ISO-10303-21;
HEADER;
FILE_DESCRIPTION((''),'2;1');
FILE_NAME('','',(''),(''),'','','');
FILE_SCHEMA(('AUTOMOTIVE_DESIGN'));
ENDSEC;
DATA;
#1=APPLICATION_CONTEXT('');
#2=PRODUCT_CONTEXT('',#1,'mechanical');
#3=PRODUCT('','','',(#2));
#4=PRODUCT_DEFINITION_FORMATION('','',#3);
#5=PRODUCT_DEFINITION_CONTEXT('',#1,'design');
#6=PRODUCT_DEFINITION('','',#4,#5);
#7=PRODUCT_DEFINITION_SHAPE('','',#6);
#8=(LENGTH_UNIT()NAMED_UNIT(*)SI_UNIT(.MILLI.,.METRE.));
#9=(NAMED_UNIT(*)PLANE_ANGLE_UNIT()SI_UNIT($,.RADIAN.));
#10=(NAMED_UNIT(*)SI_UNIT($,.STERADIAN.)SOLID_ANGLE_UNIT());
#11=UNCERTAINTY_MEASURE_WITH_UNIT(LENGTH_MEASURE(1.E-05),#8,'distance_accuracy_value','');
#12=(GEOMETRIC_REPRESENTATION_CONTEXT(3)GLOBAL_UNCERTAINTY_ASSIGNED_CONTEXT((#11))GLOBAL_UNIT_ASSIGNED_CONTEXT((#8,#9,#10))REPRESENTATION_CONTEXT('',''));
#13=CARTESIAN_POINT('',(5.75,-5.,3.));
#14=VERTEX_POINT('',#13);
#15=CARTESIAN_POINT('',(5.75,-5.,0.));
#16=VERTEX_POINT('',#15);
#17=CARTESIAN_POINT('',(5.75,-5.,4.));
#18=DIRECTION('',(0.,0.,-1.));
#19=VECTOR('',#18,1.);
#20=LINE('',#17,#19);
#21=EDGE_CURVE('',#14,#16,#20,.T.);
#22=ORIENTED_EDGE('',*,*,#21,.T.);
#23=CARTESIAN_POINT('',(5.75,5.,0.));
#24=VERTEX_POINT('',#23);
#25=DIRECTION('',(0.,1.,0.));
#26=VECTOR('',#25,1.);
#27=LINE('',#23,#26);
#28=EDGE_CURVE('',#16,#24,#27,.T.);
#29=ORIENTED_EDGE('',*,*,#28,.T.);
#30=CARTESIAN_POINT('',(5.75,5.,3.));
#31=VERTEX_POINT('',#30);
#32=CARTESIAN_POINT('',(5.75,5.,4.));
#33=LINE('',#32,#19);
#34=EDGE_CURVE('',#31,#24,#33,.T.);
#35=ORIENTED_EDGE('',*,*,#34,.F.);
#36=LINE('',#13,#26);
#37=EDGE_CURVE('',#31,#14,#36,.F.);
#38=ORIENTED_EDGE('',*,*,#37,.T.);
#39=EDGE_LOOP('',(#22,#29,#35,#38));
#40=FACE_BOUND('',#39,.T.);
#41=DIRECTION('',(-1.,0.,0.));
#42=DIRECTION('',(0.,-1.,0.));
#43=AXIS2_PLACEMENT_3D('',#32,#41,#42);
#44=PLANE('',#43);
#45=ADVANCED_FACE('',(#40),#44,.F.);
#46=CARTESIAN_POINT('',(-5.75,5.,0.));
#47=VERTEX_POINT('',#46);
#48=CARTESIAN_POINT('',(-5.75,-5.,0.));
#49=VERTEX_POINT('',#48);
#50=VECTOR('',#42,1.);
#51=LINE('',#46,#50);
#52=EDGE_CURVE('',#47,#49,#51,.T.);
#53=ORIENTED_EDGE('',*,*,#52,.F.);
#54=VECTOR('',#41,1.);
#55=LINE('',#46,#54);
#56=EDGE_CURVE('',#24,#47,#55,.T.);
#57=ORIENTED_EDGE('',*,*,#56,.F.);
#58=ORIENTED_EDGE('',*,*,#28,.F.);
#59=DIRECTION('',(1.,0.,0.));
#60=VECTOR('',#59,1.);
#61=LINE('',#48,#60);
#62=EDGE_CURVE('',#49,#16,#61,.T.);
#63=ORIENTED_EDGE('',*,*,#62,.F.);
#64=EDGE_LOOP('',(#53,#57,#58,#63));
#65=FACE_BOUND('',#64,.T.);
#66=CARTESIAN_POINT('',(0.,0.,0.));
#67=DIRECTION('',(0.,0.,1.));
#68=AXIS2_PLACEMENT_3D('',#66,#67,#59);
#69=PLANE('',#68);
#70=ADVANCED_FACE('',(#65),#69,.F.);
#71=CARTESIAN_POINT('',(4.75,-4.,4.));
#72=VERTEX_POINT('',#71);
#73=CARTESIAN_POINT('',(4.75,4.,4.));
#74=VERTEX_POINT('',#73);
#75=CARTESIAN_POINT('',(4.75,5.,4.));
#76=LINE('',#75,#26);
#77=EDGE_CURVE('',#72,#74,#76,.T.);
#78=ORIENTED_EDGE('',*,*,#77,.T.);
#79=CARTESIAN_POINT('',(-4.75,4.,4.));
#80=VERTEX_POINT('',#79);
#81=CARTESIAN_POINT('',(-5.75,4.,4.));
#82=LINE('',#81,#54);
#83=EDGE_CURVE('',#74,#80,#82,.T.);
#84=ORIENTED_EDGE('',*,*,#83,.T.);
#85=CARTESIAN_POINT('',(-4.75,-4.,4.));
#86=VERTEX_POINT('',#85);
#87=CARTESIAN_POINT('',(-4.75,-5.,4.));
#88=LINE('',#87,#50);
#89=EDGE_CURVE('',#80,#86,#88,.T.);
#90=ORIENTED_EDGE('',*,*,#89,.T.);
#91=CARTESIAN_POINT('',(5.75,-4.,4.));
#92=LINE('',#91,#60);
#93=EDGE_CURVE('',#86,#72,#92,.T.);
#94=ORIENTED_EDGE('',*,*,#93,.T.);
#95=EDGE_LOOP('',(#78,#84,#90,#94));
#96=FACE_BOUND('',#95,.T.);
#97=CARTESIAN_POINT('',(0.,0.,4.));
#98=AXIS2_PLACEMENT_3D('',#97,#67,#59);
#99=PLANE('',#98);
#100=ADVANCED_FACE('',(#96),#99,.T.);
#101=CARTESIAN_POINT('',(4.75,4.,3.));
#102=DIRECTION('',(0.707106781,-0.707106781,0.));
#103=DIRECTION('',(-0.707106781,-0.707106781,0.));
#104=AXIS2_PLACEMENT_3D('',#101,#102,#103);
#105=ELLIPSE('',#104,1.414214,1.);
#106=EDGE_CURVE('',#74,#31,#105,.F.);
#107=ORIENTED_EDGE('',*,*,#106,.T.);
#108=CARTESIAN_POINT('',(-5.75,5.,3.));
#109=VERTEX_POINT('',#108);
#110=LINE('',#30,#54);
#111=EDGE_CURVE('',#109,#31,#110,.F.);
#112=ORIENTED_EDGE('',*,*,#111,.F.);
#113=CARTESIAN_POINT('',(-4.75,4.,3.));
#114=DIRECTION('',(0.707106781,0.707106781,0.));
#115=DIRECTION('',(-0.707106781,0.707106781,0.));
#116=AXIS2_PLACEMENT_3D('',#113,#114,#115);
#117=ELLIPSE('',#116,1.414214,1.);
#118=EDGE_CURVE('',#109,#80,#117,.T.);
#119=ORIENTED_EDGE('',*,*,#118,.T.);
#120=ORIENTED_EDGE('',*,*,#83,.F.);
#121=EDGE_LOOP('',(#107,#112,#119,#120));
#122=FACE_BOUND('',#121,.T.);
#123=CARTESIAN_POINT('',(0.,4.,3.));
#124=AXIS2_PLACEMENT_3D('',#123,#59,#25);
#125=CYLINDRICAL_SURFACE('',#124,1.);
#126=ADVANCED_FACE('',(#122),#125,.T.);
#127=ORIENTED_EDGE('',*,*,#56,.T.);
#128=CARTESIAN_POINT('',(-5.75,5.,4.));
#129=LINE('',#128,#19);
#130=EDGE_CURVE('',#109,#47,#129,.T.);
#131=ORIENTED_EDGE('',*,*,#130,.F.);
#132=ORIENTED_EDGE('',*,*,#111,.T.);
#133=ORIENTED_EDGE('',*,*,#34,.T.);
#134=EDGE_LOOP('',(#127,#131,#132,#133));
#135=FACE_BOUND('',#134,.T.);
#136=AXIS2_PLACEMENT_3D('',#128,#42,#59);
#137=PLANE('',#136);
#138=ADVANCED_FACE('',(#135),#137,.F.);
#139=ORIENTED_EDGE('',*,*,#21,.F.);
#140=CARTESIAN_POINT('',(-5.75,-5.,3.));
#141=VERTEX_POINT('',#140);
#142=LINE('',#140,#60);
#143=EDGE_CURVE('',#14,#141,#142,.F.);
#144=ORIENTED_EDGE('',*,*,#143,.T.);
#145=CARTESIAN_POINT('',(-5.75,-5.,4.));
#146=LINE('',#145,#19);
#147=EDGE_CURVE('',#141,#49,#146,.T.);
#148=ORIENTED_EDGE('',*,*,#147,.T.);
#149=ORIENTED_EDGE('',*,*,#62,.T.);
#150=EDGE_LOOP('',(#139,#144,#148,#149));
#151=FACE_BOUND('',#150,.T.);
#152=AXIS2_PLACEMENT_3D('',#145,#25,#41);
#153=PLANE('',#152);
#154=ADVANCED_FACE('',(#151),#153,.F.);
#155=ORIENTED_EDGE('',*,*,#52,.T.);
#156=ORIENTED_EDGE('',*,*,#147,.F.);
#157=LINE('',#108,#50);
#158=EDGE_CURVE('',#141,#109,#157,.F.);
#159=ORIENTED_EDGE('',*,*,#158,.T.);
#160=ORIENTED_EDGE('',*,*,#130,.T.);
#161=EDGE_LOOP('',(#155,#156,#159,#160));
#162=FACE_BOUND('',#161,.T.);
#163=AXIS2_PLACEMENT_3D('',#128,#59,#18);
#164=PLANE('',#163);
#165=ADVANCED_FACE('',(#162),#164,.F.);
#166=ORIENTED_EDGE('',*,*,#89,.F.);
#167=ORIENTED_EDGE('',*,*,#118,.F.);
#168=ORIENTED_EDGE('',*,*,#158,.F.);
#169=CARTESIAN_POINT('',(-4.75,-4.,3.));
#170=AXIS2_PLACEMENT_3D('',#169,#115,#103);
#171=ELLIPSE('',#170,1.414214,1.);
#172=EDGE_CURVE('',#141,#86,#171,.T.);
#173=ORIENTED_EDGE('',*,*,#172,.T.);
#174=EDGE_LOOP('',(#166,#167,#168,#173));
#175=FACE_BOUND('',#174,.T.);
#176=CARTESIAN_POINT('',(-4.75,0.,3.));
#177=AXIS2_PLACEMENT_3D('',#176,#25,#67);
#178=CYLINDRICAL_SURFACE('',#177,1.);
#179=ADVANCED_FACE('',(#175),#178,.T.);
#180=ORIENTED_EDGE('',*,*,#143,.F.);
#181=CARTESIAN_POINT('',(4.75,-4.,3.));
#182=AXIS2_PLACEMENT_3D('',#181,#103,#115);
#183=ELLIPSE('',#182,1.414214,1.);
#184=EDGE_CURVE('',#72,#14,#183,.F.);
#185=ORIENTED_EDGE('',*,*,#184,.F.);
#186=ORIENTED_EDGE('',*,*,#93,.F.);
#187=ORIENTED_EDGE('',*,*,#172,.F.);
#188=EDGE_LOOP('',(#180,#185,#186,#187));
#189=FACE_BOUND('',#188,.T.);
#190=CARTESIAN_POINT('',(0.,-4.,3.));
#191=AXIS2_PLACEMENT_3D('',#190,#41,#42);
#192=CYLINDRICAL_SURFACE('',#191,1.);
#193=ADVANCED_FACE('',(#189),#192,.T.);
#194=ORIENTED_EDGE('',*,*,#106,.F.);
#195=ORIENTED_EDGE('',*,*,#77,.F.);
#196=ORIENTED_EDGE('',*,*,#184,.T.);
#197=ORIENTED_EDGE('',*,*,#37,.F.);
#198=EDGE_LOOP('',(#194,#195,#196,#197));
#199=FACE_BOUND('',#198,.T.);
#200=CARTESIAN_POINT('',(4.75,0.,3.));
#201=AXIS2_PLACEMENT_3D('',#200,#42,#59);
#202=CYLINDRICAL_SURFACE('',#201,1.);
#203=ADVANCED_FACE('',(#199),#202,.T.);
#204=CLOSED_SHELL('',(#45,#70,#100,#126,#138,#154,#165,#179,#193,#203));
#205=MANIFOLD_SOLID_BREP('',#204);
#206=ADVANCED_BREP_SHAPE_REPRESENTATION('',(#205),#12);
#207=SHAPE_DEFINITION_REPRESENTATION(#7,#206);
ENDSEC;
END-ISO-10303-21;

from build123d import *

# Parameters (mm, degrees)
SKETCH_1_W      = 11.5
SKETCH_1_H      = 10
EXTRUDE_1_DEPTH = 4
FILLET_2_R      = 1


with BuildPart() as part:
    # 草图1 → 凸台-拉伸1 (new body)
    with BuildSketch(Plane.XY):
        Rectangle(SKETCH_1_W, SKETCH_1_H)
    extrude(amount=EXTRUDE_1_DEPTH)

    # 圆角2
    fillet_2_edges = [part.edges().sort_by_distance(p)[0] for p in [
        (5.75, 0, 4),
        (0, 5, 4),
        (-5.75, 0, 4),
        (0, -5, 4),
    ]]
    fillet(fillet_2_edges, radius=FILLET_2_R)


solid = part.part
